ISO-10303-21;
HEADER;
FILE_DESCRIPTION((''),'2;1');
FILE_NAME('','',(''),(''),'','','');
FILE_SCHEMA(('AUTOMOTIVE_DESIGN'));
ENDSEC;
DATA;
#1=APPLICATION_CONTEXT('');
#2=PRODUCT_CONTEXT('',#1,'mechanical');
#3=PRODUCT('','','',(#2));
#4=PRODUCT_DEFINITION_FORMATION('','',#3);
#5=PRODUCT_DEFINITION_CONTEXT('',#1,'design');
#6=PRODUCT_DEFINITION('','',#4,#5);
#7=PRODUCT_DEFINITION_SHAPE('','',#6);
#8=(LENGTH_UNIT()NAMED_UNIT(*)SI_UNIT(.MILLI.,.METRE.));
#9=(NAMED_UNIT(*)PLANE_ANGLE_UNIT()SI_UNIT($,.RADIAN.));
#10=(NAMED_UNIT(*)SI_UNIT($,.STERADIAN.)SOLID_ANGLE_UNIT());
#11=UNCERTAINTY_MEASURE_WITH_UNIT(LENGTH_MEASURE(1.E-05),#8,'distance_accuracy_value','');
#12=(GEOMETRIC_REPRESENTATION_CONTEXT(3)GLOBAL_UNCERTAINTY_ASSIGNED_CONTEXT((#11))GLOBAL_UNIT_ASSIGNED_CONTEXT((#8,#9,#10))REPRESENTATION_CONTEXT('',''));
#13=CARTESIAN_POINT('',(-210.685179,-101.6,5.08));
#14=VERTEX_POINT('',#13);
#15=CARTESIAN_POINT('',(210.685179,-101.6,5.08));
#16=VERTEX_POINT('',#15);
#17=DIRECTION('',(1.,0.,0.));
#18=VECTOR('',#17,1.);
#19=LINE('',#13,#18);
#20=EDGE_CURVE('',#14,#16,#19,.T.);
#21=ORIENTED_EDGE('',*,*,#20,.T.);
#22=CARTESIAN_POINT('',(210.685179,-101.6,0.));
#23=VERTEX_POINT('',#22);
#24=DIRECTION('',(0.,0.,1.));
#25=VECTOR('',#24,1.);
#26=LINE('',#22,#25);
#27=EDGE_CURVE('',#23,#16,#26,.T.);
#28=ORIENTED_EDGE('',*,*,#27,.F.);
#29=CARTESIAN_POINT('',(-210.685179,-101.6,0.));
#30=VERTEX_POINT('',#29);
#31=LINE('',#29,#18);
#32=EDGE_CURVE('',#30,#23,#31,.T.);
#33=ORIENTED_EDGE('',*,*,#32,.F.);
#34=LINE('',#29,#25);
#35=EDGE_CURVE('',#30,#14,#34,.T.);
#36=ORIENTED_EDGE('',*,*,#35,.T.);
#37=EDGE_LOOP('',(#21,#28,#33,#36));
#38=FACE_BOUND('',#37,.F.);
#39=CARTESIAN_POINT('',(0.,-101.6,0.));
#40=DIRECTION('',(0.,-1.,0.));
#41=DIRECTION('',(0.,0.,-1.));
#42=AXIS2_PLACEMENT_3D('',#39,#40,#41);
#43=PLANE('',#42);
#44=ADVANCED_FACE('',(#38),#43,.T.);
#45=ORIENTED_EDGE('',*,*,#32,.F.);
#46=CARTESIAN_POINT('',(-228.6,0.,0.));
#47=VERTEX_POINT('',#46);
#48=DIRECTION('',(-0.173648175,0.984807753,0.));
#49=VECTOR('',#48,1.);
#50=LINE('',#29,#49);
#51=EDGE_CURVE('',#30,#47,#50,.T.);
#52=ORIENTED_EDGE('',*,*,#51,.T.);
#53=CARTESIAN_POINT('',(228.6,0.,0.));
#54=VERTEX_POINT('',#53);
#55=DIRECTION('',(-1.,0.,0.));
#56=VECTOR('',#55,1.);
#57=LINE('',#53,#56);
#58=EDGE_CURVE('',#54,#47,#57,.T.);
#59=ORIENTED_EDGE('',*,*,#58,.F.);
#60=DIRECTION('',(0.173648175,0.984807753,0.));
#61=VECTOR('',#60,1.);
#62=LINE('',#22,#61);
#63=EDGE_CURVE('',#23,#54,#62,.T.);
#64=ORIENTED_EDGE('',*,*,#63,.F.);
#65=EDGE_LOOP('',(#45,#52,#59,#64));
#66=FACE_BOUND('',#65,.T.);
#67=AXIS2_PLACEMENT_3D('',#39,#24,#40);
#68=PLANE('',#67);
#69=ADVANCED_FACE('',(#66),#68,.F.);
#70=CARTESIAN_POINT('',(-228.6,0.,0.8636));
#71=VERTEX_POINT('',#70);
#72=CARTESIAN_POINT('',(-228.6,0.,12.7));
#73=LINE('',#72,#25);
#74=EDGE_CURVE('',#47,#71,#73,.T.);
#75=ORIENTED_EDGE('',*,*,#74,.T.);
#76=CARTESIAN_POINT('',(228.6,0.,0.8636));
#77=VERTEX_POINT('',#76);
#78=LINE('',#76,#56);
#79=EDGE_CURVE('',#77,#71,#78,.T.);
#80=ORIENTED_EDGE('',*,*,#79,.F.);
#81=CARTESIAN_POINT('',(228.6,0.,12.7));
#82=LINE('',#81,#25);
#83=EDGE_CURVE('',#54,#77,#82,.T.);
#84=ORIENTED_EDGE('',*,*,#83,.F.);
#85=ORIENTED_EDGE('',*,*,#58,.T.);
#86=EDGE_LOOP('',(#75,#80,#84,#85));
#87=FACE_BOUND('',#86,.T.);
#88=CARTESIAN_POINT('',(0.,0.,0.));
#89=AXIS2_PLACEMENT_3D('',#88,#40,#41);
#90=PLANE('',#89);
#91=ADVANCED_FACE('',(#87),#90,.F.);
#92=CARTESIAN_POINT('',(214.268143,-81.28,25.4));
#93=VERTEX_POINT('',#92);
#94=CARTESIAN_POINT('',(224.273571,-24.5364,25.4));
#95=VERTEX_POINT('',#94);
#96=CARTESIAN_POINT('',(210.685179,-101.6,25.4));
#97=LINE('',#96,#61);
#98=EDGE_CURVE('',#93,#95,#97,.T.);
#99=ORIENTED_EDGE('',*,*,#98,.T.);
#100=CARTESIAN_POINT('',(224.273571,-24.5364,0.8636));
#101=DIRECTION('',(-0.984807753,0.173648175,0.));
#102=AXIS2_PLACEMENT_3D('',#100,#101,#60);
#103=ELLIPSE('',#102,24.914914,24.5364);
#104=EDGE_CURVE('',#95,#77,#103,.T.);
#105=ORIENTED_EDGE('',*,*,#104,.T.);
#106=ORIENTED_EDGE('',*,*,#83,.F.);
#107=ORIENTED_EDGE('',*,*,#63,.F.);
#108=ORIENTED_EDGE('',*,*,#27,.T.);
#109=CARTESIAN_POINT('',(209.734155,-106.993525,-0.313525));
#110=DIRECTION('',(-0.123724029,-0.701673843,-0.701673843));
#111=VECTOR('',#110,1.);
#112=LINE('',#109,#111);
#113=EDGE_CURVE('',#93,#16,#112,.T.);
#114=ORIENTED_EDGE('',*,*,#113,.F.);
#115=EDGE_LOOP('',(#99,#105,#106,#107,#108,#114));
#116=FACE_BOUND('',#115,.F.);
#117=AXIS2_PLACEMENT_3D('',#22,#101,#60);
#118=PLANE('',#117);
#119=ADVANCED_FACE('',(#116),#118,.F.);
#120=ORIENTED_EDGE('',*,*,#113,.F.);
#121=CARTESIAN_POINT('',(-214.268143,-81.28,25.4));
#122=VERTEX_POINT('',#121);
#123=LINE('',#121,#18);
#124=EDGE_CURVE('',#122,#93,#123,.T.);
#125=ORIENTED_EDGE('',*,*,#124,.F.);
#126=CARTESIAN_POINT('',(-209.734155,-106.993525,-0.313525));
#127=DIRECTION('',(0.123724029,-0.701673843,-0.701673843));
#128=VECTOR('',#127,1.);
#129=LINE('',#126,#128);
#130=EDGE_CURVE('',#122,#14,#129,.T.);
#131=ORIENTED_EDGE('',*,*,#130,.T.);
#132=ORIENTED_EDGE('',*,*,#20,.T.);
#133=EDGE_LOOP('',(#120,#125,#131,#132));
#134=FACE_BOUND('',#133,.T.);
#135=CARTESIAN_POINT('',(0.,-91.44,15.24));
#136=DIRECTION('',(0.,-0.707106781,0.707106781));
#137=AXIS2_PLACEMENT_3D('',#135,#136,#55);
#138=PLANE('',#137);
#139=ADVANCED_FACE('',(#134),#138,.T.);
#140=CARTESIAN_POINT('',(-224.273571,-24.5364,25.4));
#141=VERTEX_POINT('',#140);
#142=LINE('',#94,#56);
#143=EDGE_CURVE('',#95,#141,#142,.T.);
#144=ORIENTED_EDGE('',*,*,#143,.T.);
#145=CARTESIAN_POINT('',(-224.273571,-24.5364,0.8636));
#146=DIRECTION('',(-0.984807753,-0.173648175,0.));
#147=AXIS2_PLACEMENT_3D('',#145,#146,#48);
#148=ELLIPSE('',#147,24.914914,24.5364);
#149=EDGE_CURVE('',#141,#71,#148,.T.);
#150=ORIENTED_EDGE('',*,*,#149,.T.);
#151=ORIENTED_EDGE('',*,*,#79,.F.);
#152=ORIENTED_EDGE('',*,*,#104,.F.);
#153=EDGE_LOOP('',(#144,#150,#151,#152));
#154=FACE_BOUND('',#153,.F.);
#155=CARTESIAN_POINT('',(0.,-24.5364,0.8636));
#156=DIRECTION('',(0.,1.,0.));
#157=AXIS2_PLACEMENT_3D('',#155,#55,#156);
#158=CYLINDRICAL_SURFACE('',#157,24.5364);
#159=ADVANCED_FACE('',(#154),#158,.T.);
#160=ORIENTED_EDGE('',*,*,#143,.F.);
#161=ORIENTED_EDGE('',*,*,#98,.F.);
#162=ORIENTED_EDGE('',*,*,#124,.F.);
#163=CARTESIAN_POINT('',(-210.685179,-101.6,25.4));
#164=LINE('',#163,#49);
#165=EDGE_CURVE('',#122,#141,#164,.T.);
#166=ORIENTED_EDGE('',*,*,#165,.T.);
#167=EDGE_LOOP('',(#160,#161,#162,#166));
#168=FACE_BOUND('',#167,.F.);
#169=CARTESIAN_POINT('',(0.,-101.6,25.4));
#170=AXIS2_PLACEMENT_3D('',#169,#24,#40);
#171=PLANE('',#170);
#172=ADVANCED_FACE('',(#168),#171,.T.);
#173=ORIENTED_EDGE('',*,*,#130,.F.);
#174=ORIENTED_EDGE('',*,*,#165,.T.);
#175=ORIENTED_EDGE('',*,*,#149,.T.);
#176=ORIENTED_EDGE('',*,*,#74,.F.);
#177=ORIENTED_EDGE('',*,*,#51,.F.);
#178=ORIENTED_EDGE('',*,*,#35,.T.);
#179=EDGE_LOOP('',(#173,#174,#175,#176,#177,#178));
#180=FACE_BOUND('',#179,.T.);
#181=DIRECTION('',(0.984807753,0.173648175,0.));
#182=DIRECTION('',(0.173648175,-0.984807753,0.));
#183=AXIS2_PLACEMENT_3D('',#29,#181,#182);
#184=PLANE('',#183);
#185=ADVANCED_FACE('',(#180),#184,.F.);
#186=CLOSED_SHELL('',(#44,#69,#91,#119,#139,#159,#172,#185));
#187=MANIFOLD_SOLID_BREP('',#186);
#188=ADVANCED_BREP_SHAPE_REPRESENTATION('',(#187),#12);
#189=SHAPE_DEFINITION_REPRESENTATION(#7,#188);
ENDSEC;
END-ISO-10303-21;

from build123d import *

# Parameters (mm, degrees)
F0_W     = 101.6
F0_H     = 25.4
F1_DEPTH = 228.6
F2_R     = 24.5364
F4_DEPTH = 25.4
F5_SIZE  = 20.32


with BuildPart() as f1:
    # F0 (on Right) → F1 (new body)
    with BuildSketch(Plane.YZ):
        with Locations((-50.8, 12.7)):
            Rectangle(F0_W, F0_H)
    extrude(amount=F1_DEPTH)

    # F2
    f2_edges = [f1.edges().sort_by_distance(p)[0] for p in [
        (114.3, 0, 25.4),
    ]]
    fillet(f2_edges, radius=F2_R)

    # F3 (on face) → F4 (cut)
    with BuildSketch(Plane(origin=(0, 0, 0), x_dir=(1, 0, 0), z_dir=(0, 0, -1))):
        Polygon((210.685179, 101.6), (228.6, 0), (228.6, 101.6), align=None)
    extrude(amount=-F4_DEPTH, mode=Mode.SUBTRACT)

    # F5
    f5_edges = [f1.edges().sort_by_distance(p)[0] for p in [
        (105.342589, -101.6, 25.4),
    ]]
    chamfer(f5_edges, length=F5_SIZE)

    # F6: F1 across plane


with BuildPart() as f1_1:
    add(f1.part)
    add(f1.part.mirror(Plane.YZ))


solid = f1_1.part
